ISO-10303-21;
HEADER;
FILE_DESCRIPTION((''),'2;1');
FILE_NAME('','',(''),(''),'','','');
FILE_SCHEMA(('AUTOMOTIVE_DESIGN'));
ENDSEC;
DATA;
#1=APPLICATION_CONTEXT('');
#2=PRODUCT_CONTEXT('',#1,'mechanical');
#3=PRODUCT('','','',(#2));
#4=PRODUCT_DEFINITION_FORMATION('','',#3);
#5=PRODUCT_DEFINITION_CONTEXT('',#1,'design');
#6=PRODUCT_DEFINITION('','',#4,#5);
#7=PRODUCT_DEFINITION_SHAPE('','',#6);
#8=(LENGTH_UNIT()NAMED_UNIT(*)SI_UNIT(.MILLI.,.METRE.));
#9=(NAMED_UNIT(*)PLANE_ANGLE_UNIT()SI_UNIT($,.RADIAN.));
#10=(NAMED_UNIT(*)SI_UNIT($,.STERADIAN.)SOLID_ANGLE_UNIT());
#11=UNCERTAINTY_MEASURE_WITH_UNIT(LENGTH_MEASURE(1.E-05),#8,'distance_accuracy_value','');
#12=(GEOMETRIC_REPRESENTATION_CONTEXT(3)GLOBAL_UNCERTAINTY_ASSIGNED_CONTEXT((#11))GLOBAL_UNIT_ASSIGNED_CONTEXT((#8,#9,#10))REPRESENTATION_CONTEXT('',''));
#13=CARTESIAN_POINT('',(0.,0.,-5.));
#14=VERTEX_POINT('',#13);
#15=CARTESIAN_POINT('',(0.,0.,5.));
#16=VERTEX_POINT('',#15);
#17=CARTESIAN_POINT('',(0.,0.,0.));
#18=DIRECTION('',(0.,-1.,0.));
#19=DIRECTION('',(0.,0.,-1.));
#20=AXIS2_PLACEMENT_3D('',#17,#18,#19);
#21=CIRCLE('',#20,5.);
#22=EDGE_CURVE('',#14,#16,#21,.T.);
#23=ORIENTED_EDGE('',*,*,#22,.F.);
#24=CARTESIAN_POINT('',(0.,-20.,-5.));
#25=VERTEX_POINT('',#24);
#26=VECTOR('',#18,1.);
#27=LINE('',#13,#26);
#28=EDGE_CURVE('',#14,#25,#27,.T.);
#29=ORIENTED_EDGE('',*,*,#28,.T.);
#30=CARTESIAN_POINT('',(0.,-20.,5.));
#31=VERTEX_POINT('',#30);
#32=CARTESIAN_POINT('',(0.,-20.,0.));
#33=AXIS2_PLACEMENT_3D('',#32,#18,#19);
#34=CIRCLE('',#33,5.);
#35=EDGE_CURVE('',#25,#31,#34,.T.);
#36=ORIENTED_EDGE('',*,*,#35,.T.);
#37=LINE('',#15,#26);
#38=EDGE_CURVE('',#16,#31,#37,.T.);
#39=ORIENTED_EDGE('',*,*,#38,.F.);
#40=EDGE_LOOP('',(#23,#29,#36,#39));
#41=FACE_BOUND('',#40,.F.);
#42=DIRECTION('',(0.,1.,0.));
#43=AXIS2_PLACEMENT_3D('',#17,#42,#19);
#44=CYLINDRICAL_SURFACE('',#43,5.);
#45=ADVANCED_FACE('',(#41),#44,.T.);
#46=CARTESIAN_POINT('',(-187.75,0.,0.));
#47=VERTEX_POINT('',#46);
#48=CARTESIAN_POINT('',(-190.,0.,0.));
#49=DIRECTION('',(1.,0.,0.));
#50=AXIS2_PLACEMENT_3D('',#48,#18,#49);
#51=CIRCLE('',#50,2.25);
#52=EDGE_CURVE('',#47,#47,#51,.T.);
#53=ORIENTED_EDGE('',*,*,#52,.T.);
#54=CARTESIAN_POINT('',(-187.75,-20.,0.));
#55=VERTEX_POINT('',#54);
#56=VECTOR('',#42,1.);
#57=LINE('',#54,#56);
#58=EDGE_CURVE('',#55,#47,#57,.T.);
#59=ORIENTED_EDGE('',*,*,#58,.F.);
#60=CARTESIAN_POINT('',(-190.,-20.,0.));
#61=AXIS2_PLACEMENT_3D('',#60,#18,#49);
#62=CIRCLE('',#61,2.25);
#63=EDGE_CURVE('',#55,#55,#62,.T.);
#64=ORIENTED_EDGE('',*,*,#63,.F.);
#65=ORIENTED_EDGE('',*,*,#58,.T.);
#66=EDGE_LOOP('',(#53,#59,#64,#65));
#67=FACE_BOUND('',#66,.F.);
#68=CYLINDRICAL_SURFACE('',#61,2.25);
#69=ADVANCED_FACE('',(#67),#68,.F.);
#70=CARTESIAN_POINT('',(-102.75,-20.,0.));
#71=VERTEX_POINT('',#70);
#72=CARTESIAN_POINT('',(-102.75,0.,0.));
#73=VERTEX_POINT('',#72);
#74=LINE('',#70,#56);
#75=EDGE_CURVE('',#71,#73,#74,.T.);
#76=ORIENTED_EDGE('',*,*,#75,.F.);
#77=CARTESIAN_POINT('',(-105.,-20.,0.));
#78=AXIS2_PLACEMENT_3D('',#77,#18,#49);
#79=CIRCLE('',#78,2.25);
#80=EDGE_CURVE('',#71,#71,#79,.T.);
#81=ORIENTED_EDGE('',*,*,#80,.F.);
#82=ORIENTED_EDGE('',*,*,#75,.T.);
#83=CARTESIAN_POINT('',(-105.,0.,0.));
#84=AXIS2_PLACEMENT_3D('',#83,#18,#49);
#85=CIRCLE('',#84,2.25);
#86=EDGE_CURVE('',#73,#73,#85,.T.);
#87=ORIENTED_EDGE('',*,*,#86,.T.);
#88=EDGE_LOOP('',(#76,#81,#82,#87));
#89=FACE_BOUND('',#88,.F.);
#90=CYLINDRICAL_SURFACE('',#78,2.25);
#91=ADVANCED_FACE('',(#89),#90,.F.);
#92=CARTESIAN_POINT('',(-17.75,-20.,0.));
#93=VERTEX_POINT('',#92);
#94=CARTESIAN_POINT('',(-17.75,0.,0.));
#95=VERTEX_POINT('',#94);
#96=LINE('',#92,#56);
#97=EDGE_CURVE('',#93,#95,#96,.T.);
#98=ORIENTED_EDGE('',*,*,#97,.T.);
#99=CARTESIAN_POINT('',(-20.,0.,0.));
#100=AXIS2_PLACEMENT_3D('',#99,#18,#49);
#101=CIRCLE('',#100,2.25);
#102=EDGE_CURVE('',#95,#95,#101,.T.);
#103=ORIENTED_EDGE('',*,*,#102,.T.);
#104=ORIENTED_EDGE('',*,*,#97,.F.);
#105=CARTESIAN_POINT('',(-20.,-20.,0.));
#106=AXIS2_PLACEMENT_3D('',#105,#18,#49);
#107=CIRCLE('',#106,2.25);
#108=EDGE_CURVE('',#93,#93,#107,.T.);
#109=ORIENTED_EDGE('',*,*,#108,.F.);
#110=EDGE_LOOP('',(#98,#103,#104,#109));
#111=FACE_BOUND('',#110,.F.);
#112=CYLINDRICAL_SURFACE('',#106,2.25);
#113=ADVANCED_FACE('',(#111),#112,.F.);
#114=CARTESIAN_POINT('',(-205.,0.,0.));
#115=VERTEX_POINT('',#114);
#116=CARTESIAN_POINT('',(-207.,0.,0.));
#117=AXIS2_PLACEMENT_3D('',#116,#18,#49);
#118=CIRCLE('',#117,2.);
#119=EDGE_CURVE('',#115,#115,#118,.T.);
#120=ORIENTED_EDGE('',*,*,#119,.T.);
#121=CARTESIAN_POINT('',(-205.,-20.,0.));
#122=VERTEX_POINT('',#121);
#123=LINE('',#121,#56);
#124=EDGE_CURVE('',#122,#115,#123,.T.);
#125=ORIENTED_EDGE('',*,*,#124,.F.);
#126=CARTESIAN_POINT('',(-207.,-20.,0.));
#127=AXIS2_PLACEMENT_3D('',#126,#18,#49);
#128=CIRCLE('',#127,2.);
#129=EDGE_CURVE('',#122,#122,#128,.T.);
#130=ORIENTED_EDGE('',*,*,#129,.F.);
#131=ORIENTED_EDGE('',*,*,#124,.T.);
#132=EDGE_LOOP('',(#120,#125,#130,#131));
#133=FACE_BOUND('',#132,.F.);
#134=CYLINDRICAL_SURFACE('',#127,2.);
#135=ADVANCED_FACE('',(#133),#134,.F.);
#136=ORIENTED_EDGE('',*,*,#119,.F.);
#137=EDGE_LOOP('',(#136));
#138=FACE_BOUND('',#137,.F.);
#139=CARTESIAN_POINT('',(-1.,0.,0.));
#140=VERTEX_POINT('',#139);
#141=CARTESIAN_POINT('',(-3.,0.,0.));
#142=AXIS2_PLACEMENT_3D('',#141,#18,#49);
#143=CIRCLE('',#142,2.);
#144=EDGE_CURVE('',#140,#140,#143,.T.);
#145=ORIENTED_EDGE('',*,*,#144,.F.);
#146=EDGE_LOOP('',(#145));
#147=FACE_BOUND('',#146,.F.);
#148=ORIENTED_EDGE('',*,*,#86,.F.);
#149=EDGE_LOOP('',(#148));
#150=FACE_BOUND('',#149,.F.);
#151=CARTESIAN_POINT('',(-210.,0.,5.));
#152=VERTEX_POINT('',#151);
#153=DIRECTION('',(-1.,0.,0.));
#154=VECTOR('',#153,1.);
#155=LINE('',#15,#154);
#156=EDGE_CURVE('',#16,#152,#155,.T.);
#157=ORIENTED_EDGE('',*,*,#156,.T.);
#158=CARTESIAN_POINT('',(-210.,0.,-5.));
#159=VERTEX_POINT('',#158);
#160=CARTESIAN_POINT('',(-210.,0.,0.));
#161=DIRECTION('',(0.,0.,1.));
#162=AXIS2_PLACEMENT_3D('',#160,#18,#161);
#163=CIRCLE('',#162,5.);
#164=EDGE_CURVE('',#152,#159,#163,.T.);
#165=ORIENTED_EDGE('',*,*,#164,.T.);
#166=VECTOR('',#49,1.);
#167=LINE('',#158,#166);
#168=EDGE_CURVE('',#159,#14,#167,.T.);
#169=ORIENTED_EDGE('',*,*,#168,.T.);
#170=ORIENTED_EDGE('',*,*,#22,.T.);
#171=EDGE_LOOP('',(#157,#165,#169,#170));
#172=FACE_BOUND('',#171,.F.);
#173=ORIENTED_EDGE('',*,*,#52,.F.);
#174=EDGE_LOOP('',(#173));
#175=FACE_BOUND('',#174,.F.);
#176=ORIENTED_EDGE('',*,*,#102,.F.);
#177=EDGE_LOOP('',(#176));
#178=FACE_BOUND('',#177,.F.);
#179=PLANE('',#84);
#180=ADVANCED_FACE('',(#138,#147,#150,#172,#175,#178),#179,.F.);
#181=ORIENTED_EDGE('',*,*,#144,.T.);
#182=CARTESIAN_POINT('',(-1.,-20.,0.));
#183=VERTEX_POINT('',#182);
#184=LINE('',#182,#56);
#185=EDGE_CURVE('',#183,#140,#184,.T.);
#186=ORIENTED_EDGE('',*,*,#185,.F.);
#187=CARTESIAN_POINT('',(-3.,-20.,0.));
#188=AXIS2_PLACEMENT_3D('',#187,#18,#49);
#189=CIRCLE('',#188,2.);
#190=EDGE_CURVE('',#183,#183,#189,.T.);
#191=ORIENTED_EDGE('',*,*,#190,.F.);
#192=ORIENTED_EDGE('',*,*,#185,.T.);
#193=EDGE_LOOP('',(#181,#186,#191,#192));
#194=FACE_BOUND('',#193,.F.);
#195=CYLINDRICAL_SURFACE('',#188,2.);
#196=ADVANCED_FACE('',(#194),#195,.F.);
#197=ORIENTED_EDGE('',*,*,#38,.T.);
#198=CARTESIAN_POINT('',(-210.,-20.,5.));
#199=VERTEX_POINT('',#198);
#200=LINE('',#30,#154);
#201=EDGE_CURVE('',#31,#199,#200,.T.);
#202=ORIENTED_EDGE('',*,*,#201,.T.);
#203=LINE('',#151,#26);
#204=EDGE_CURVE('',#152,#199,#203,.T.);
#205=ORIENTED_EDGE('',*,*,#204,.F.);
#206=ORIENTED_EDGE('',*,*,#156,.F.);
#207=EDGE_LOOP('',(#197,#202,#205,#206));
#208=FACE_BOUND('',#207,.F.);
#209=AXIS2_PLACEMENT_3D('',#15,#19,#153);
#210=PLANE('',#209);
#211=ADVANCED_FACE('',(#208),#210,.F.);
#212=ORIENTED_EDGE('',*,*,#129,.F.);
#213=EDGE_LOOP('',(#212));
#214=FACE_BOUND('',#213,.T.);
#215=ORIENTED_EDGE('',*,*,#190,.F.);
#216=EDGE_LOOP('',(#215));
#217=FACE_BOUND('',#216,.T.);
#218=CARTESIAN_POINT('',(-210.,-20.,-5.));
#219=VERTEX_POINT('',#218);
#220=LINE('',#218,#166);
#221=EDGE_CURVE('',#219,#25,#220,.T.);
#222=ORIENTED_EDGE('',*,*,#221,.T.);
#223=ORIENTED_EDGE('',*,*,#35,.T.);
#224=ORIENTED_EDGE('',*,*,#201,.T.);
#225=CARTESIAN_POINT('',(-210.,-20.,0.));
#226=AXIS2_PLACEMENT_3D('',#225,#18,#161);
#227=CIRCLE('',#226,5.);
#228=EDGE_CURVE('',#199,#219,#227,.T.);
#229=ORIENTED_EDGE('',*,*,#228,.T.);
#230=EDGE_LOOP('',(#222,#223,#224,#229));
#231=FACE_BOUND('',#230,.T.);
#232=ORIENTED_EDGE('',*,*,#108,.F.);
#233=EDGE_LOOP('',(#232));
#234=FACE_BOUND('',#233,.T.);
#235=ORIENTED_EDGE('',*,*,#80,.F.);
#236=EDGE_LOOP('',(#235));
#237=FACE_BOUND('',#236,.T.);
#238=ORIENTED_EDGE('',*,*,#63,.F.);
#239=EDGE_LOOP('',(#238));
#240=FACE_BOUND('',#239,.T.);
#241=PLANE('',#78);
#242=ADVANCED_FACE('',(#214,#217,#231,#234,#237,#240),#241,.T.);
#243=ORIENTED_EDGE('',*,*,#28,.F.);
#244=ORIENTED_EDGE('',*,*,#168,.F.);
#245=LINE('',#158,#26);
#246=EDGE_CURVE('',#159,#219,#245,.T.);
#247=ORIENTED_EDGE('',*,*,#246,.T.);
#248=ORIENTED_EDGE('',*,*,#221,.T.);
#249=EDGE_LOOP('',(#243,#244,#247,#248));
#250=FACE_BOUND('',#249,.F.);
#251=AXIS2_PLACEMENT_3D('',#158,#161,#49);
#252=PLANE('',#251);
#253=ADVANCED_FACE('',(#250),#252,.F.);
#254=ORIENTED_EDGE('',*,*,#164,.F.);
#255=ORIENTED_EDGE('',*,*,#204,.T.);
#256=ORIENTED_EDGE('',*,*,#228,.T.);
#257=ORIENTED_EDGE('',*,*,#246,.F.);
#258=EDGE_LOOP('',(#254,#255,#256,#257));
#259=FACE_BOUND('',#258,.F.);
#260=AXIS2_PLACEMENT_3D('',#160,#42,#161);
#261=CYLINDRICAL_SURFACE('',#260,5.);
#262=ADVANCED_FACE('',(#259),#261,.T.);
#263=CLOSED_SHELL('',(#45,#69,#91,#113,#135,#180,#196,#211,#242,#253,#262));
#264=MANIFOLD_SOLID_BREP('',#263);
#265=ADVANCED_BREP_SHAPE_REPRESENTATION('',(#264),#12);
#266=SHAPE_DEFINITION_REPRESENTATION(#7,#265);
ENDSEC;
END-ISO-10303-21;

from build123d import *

# Parameters (mm, degrees)
F1_DEPTH = 20
F2_R     = 2.25
F2_R_2   = 2
F3_DEPTH = 20.001


with BuildPart() as f1:
    # F0 (on Front) → F1 (new body)
    with BuildSketch(Plane.XZ):
        with BuildLine():
            Line((-210, -5), (0, -5))
            ThreePointArc((0, -5), (5, 0), (0, 5))
            Line((0, 5), (-210, 5))
            ThreePointArc((-210, 5), (-215, 0), (-210, -5))
        make_face()
    extrude(amount=F1_DEPTH)

    # F2 (on face) → F3 (cut, through all)
    with BuildSketch(Plane.XZ.offset(20)):
        with Locations((-190, 0)):
            Circle(F2_R)
        with Locations((-20, 0)):
            Circle(F2_R)
        with Locations((-105, 0)):
            Circle(F2_R)
        with Locations((-207, 0)):
            Circle(F2_R_2)
        with Locations((-3, 0)):
            Circle(F2_R_2)
    extrude(amount=-F3_DEPTH, mode=Mode.SUBTRACT)


solid = f1.part
